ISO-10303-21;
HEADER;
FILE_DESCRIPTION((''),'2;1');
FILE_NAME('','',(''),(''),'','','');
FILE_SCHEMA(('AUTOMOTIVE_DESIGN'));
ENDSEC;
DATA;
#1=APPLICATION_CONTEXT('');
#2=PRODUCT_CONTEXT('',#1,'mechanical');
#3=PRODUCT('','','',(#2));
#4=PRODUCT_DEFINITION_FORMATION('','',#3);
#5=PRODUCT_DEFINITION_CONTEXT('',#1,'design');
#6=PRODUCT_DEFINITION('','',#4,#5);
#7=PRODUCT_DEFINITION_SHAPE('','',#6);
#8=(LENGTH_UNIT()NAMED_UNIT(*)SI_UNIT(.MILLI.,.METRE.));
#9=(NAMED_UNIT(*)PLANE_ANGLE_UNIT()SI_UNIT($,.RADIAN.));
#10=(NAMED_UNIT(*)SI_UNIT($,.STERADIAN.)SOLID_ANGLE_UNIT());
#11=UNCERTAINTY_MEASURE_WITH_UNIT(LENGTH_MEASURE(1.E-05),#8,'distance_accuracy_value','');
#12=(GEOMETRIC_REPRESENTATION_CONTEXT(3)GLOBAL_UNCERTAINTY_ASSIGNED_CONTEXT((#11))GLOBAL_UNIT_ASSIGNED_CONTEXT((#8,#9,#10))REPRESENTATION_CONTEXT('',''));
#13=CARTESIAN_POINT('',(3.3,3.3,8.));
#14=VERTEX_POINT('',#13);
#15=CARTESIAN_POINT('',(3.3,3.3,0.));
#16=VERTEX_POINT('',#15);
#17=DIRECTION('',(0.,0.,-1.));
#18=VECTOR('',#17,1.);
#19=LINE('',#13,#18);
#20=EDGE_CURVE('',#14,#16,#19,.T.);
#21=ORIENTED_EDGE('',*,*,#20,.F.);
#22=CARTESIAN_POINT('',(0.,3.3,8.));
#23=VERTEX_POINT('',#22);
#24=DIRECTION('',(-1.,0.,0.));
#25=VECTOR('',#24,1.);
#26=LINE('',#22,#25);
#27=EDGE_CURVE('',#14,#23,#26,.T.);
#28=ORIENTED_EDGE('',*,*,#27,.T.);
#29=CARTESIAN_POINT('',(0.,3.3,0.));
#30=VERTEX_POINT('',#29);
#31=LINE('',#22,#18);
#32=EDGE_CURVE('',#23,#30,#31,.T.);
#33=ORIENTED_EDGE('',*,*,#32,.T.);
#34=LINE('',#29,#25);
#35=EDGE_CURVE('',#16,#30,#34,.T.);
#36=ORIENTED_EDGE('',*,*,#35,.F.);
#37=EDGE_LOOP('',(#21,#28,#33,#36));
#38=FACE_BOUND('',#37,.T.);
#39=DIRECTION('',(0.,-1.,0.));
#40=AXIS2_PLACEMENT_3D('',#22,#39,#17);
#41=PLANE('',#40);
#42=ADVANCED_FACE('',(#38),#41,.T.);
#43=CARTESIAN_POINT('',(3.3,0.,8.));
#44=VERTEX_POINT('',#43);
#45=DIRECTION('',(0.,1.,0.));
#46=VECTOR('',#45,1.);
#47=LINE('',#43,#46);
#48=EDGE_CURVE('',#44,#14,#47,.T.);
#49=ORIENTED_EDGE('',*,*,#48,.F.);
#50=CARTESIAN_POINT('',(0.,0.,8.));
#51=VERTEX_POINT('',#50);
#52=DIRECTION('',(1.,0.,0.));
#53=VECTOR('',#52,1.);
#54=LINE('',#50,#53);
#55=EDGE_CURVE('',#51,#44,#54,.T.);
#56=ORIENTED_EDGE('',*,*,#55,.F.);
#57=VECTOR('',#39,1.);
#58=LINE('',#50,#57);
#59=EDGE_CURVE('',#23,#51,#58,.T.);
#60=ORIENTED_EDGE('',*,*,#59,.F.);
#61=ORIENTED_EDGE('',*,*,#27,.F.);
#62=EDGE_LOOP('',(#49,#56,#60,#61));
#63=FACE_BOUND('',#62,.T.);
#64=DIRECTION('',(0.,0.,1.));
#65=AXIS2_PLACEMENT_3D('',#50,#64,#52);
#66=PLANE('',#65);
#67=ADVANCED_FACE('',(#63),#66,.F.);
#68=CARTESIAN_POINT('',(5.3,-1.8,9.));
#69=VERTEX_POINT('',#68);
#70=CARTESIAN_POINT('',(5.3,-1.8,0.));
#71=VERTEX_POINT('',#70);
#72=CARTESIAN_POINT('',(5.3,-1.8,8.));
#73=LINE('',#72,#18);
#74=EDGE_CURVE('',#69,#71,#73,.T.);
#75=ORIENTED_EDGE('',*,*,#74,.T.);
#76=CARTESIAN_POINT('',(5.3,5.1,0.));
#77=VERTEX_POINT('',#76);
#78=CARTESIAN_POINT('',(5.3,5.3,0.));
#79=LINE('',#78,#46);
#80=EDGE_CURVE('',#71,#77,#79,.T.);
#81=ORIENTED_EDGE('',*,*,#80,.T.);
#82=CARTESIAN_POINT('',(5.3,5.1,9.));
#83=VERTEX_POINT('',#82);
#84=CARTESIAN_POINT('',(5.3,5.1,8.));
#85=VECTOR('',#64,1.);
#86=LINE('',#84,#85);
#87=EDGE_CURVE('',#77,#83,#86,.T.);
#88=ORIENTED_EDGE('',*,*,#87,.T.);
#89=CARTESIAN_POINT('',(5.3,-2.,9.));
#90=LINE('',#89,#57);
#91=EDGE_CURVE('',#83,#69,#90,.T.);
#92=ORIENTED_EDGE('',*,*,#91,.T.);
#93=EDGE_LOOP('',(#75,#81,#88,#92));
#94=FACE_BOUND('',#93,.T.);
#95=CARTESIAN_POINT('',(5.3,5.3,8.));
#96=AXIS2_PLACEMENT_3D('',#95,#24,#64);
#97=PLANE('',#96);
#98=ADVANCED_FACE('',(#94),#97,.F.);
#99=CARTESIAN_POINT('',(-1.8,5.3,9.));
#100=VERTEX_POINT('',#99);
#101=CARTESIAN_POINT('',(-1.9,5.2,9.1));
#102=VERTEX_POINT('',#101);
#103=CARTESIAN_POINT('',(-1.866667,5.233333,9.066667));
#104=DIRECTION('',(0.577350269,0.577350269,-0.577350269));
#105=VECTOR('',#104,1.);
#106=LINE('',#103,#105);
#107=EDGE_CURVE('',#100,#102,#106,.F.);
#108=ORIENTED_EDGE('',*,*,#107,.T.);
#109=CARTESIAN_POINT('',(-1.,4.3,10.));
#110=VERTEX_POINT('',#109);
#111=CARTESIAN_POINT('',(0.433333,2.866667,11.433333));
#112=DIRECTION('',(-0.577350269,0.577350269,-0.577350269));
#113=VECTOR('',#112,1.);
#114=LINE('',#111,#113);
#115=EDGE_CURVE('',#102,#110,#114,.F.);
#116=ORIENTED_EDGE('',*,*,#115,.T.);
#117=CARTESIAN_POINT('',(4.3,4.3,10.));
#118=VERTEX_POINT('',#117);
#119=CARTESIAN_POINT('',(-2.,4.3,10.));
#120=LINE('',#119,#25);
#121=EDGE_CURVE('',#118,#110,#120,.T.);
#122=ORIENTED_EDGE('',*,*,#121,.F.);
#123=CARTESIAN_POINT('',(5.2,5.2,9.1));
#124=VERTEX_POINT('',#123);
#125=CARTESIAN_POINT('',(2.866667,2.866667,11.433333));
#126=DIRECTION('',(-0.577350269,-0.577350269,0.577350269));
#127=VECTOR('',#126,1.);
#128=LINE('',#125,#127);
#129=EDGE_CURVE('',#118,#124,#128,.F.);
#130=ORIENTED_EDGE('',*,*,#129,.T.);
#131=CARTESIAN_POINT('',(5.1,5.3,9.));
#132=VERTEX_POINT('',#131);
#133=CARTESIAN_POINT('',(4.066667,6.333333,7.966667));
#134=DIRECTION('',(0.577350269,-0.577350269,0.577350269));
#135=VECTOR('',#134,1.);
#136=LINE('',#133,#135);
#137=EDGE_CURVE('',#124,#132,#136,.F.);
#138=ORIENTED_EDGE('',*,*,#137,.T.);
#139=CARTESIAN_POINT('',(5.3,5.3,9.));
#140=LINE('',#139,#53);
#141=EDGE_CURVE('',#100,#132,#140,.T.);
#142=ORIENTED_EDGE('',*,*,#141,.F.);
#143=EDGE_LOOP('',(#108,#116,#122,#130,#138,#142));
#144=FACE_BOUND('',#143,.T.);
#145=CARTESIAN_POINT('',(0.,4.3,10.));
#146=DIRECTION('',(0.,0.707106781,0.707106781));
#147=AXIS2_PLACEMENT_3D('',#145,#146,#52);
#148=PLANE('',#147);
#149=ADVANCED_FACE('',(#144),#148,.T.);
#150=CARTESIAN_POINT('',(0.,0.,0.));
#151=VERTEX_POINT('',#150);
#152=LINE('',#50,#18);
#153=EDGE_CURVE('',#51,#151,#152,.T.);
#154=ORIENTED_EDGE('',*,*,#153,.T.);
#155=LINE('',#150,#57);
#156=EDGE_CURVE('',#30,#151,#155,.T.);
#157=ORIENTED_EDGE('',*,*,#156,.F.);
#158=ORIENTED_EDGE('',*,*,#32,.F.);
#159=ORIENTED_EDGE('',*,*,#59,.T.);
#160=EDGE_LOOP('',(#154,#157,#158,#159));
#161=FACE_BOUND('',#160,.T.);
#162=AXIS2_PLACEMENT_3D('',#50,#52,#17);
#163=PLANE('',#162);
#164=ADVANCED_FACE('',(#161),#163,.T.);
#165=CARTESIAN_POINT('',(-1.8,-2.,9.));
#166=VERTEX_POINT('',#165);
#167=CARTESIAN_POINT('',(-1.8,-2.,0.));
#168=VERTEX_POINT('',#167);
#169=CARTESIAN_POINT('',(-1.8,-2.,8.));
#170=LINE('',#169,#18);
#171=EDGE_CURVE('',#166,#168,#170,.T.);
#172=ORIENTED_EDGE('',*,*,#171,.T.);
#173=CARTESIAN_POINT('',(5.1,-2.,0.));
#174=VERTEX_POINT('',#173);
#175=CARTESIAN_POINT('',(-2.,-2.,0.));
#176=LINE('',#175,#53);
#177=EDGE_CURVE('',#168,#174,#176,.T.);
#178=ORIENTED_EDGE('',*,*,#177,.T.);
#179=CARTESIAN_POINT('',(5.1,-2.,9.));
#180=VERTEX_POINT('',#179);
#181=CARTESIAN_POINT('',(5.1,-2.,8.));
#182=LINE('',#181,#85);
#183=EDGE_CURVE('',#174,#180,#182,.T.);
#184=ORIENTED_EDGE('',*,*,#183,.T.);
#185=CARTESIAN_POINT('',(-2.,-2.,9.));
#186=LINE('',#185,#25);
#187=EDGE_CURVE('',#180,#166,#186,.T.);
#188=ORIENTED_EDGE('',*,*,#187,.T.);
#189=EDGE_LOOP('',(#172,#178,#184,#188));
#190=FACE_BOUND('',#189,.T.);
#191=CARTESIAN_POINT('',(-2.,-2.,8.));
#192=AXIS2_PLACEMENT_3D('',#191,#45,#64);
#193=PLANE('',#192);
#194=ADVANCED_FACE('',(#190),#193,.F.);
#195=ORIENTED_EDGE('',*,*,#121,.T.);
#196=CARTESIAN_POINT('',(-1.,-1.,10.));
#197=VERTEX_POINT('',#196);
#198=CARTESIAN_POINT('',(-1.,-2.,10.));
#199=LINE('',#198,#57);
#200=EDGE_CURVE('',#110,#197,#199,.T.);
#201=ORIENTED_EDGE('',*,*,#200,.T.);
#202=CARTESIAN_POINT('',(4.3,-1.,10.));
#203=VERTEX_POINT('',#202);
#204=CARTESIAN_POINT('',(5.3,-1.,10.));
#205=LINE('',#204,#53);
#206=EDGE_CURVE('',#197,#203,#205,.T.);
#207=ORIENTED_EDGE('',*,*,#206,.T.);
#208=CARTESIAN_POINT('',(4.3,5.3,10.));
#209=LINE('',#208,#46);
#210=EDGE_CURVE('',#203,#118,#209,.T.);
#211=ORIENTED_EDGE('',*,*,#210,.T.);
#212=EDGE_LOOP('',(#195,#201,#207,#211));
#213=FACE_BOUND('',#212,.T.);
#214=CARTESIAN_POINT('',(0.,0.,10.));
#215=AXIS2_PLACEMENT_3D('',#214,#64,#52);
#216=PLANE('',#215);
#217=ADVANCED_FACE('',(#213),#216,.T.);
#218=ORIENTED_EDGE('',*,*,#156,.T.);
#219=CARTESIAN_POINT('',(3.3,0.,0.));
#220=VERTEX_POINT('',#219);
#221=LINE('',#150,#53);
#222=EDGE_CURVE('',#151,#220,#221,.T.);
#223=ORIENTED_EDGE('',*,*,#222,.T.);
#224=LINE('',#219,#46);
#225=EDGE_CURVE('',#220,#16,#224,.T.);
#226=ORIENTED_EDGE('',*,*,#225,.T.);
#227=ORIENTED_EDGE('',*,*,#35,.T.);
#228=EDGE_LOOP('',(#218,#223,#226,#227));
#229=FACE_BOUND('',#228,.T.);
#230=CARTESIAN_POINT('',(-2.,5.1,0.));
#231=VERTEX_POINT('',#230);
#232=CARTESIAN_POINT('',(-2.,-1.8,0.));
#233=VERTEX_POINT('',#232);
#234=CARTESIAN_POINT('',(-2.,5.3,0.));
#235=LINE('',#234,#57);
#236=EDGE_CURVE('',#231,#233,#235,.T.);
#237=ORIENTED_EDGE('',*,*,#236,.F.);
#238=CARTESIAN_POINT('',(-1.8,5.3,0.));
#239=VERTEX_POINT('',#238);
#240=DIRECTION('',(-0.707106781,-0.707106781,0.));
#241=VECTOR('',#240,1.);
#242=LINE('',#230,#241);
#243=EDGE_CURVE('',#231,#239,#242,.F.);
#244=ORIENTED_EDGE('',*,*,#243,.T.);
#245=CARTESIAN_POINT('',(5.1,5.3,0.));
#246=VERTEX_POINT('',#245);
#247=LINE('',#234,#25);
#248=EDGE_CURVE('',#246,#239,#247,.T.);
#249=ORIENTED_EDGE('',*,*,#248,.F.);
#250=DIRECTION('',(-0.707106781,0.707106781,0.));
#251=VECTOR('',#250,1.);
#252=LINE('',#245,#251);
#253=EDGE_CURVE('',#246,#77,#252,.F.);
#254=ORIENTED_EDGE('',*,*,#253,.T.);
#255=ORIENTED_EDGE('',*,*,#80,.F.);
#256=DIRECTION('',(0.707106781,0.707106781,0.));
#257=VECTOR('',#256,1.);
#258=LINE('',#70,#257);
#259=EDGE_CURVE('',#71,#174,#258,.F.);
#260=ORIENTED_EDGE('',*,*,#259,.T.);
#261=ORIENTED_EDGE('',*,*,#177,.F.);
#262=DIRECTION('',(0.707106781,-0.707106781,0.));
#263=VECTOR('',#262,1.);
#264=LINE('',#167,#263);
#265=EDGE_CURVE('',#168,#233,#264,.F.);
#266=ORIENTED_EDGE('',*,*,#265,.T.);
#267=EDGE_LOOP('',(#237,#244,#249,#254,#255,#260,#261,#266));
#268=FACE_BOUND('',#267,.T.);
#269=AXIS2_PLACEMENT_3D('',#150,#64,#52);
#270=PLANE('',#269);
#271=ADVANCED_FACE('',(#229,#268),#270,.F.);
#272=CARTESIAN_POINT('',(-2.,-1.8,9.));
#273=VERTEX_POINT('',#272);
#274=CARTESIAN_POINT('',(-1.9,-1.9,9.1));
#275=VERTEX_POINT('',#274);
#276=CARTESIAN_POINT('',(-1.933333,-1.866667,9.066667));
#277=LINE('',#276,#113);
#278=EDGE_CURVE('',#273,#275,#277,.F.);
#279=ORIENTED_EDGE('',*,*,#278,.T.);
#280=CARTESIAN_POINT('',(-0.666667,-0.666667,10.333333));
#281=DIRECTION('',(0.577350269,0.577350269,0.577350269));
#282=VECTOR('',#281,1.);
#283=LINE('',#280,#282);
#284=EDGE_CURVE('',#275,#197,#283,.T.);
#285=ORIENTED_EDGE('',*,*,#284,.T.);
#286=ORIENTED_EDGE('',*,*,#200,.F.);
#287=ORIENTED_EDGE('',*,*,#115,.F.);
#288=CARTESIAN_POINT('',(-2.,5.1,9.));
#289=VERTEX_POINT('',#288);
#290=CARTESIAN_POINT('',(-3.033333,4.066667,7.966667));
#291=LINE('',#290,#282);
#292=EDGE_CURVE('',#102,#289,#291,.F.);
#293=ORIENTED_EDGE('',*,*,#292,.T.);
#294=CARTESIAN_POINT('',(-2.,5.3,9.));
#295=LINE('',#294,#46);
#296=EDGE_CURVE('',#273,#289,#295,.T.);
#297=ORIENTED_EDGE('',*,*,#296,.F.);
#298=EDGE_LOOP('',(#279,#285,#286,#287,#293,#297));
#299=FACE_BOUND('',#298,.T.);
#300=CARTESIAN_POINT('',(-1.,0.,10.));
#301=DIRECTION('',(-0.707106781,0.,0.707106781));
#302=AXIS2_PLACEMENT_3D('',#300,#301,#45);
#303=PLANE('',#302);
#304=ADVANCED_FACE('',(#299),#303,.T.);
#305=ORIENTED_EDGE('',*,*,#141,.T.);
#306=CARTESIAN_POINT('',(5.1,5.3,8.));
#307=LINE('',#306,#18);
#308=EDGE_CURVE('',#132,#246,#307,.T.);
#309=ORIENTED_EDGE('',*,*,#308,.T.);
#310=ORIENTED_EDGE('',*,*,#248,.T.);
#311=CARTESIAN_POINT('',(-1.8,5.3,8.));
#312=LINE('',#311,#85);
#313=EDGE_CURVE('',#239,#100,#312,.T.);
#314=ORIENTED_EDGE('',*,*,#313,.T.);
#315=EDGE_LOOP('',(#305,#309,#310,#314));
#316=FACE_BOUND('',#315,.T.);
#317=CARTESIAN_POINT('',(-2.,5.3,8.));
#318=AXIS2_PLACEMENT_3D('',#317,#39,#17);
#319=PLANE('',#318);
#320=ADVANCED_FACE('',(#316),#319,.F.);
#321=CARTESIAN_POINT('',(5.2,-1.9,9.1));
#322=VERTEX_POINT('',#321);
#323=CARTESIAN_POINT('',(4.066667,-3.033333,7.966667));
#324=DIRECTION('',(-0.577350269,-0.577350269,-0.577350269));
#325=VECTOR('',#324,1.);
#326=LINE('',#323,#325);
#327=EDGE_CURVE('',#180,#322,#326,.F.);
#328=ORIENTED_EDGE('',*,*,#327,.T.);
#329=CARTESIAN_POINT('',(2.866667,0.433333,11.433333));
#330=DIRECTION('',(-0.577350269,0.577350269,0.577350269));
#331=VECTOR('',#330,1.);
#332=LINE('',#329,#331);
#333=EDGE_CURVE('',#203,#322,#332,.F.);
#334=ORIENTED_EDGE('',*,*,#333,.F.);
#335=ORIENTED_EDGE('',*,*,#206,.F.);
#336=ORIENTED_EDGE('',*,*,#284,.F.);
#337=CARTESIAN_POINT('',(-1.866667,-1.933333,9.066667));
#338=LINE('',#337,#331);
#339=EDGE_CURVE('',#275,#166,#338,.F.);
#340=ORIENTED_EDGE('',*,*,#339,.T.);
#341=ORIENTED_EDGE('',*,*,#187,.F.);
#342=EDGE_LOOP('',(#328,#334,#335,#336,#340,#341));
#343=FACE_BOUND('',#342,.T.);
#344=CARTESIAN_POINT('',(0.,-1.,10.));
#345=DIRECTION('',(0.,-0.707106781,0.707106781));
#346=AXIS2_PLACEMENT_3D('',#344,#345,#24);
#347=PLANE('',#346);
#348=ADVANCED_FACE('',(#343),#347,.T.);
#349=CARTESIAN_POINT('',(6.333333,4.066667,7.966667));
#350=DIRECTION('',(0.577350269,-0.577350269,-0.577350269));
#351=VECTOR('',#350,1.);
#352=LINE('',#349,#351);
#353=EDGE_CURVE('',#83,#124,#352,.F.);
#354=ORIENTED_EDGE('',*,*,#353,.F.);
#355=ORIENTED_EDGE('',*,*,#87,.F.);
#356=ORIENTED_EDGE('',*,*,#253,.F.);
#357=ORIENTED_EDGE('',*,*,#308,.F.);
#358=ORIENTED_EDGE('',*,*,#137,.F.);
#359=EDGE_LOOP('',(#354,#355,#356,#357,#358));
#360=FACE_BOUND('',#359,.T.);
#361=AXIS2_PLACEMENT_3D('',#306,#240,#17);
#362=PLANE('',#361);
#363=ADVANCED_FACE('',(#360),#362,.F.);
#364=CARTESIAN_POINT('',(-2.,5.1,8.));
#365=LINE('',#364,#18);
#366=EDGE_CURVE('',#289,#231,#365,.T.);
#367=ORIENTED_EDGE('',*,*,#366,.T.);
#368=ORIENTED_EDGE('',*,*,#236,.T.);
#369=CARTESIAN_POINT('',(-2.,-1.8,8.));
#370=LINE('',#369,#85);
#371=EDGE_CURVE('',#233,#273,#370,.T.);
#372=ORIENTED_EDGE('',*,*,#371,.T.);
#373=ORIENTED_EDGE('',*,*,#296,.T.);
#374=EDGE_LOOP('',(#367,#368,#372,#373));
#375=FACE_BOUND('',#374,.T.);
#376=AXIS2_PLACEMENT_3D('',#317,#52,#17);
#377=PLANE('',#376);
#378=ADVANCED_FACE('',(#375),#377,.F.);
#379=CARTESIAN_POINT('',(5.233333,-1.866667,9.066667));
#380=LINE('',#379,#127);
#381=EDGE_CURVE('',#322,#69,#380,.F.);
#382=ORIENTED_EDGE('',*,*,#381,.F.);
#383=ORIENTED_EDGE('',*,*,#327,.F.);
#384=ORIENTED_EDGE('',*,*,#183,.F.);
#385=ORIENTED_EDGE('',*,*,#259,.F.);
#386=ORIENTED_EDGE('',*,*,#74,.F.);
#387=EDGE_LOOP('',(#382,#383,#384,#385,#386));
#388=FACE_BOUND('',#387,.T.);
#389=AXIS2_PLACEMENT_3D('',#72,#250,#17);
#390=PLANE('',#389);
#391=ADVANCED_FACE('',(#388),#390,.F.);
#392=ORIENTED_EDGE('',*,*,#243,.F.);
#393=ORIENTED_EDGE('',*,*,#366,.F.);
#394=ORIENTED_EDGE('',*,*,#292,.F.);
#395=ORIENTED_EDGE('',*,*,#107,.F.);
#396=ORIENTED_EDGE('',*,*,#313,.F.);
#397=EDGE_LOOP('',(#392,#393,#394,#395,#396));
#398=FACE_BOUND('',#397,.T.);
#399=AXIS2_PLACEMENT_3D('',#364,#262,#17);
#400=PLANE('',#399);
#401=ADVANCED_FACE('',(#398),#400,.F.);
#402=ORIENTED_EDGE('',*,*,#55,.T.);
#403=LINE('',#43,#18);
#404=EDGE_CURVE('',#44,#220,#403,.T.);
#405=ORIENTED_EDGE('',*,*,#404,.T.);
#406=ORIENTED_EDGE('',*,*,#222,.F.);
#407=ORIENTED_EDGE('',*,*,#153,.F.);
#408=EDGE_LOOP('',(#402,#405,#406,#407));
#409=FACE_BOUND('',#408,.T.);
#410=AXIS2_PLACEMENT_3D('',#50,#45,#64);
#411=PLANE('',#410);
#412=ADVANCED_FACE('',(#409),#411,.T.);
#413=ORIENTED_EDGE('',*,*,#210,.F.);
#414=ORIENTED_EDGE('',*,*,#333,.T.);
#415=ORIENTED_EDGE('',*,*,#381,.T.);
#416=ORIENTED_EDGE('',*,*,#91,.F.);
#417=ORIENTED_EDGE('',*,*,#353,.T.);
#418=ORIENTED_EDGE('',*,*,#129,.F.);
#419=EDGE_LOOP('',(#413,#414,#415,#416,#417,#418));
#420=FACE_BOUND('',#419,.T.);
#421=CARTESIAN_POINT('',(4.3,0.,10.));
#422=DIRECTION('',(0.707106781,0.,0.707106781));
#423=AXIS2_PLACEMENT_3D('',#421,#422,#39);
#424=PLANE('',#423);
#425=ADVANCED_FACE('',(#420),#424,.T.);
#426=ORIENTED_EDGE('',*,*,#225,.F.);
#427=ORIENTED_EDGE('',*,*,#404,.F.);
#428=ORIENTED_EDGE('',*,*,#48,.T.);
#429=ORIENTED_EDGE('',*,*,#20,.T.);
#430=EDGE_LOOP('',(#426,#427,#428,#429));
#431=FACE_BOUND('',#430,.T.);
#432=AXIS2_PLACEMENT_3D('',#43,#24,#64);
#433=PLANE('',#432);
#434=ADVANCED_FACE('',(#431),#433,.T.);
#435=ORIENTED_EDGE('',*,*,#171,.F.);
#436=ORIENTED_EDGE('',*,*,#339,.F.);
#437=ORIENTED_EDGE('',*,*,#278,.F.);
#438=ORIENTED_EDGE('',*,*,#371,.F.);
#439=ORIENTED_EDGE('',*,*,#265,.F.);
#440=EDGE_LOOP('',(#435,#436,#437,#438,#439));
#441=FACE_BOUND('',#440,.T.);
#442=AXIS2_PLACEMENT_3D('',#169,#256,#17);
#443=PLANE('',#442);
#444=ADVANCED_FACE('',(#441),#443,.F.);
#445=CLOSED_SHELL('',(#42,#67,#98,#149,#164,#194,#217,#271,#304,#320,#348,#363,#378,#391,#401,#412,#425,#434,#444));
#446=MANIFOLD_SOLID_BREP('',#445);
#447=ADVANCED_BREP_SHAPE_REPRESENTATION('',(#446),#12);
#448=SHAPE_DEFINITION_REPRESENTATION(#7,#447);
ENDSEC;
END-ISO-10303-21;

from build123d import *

# Parameters (mm, degrees)
SKETCH1_W           = 7.3
SKETCH1_H           = 7.3
SKETCH1_W_2         = 3.3
SKETCH1_H_2         = 3.3
BOSS_EXTRUDE1_DEPTH = 8
SKETCH3_W           = 7.3
SKETCH3_H           = 7.3
BOSS_EXTRUDE2_DEPTH = 2
CHAMFER1_SIZE       = 1
CHAMFER2_SIZE       = 0.2


with BuildPart() as part:
    # Sketch1 → Boss-Extrude1 (new body)
    with BuildSketch(Plane.XY):
        with Locations((1.65, 1.65)):
            Rectangle(SKETCH1_W, SKETCH1_H)
        with Locations((1.65, 1.65)):
            Rectangle(SKETCH1_W_2, SKETCH1_H_2, mode=Mode.SUBTRACT)
    extrude(amount=BOSS_EXTRUDE1_DEPTH)

    # Sketch3 → Boss-Extrude2 (add)
    with BuildSketch(Plane.XY.offset(8)):
        with Locations((1.65, 1.65)):
            Rectangle(SKETCH3_W, SKETCH3_H)
    extrude(amount=BOSS_EXTRUDE2_DEPTH)

    # Chamfer1
    chamfer1_edges = [part.edges().sort_by_distance(p)[0] for p in [
        (-2, 1.65, 10),
        (1.65, -2, 10),
        (5.3, 1.65, 10),
        (1.65, 5.3, 10),
    ]]
    chamfer(chamfer1_edges, length=CHAMFER1_SIZE)

    # Chamfer2
    chamfer2_edges = [part.edges().sort_by_distance(p)[0] for p in [
        (-2, 5.3, 4.5),
        (5.3, 5.3, 4.5),
        (5.3, -2, 4.5),
        (-2, -2, 4.5),
    ]]
    chamfer(chamfer2_edges, length=CHAMFER2_SIZE)


solid = part.part
